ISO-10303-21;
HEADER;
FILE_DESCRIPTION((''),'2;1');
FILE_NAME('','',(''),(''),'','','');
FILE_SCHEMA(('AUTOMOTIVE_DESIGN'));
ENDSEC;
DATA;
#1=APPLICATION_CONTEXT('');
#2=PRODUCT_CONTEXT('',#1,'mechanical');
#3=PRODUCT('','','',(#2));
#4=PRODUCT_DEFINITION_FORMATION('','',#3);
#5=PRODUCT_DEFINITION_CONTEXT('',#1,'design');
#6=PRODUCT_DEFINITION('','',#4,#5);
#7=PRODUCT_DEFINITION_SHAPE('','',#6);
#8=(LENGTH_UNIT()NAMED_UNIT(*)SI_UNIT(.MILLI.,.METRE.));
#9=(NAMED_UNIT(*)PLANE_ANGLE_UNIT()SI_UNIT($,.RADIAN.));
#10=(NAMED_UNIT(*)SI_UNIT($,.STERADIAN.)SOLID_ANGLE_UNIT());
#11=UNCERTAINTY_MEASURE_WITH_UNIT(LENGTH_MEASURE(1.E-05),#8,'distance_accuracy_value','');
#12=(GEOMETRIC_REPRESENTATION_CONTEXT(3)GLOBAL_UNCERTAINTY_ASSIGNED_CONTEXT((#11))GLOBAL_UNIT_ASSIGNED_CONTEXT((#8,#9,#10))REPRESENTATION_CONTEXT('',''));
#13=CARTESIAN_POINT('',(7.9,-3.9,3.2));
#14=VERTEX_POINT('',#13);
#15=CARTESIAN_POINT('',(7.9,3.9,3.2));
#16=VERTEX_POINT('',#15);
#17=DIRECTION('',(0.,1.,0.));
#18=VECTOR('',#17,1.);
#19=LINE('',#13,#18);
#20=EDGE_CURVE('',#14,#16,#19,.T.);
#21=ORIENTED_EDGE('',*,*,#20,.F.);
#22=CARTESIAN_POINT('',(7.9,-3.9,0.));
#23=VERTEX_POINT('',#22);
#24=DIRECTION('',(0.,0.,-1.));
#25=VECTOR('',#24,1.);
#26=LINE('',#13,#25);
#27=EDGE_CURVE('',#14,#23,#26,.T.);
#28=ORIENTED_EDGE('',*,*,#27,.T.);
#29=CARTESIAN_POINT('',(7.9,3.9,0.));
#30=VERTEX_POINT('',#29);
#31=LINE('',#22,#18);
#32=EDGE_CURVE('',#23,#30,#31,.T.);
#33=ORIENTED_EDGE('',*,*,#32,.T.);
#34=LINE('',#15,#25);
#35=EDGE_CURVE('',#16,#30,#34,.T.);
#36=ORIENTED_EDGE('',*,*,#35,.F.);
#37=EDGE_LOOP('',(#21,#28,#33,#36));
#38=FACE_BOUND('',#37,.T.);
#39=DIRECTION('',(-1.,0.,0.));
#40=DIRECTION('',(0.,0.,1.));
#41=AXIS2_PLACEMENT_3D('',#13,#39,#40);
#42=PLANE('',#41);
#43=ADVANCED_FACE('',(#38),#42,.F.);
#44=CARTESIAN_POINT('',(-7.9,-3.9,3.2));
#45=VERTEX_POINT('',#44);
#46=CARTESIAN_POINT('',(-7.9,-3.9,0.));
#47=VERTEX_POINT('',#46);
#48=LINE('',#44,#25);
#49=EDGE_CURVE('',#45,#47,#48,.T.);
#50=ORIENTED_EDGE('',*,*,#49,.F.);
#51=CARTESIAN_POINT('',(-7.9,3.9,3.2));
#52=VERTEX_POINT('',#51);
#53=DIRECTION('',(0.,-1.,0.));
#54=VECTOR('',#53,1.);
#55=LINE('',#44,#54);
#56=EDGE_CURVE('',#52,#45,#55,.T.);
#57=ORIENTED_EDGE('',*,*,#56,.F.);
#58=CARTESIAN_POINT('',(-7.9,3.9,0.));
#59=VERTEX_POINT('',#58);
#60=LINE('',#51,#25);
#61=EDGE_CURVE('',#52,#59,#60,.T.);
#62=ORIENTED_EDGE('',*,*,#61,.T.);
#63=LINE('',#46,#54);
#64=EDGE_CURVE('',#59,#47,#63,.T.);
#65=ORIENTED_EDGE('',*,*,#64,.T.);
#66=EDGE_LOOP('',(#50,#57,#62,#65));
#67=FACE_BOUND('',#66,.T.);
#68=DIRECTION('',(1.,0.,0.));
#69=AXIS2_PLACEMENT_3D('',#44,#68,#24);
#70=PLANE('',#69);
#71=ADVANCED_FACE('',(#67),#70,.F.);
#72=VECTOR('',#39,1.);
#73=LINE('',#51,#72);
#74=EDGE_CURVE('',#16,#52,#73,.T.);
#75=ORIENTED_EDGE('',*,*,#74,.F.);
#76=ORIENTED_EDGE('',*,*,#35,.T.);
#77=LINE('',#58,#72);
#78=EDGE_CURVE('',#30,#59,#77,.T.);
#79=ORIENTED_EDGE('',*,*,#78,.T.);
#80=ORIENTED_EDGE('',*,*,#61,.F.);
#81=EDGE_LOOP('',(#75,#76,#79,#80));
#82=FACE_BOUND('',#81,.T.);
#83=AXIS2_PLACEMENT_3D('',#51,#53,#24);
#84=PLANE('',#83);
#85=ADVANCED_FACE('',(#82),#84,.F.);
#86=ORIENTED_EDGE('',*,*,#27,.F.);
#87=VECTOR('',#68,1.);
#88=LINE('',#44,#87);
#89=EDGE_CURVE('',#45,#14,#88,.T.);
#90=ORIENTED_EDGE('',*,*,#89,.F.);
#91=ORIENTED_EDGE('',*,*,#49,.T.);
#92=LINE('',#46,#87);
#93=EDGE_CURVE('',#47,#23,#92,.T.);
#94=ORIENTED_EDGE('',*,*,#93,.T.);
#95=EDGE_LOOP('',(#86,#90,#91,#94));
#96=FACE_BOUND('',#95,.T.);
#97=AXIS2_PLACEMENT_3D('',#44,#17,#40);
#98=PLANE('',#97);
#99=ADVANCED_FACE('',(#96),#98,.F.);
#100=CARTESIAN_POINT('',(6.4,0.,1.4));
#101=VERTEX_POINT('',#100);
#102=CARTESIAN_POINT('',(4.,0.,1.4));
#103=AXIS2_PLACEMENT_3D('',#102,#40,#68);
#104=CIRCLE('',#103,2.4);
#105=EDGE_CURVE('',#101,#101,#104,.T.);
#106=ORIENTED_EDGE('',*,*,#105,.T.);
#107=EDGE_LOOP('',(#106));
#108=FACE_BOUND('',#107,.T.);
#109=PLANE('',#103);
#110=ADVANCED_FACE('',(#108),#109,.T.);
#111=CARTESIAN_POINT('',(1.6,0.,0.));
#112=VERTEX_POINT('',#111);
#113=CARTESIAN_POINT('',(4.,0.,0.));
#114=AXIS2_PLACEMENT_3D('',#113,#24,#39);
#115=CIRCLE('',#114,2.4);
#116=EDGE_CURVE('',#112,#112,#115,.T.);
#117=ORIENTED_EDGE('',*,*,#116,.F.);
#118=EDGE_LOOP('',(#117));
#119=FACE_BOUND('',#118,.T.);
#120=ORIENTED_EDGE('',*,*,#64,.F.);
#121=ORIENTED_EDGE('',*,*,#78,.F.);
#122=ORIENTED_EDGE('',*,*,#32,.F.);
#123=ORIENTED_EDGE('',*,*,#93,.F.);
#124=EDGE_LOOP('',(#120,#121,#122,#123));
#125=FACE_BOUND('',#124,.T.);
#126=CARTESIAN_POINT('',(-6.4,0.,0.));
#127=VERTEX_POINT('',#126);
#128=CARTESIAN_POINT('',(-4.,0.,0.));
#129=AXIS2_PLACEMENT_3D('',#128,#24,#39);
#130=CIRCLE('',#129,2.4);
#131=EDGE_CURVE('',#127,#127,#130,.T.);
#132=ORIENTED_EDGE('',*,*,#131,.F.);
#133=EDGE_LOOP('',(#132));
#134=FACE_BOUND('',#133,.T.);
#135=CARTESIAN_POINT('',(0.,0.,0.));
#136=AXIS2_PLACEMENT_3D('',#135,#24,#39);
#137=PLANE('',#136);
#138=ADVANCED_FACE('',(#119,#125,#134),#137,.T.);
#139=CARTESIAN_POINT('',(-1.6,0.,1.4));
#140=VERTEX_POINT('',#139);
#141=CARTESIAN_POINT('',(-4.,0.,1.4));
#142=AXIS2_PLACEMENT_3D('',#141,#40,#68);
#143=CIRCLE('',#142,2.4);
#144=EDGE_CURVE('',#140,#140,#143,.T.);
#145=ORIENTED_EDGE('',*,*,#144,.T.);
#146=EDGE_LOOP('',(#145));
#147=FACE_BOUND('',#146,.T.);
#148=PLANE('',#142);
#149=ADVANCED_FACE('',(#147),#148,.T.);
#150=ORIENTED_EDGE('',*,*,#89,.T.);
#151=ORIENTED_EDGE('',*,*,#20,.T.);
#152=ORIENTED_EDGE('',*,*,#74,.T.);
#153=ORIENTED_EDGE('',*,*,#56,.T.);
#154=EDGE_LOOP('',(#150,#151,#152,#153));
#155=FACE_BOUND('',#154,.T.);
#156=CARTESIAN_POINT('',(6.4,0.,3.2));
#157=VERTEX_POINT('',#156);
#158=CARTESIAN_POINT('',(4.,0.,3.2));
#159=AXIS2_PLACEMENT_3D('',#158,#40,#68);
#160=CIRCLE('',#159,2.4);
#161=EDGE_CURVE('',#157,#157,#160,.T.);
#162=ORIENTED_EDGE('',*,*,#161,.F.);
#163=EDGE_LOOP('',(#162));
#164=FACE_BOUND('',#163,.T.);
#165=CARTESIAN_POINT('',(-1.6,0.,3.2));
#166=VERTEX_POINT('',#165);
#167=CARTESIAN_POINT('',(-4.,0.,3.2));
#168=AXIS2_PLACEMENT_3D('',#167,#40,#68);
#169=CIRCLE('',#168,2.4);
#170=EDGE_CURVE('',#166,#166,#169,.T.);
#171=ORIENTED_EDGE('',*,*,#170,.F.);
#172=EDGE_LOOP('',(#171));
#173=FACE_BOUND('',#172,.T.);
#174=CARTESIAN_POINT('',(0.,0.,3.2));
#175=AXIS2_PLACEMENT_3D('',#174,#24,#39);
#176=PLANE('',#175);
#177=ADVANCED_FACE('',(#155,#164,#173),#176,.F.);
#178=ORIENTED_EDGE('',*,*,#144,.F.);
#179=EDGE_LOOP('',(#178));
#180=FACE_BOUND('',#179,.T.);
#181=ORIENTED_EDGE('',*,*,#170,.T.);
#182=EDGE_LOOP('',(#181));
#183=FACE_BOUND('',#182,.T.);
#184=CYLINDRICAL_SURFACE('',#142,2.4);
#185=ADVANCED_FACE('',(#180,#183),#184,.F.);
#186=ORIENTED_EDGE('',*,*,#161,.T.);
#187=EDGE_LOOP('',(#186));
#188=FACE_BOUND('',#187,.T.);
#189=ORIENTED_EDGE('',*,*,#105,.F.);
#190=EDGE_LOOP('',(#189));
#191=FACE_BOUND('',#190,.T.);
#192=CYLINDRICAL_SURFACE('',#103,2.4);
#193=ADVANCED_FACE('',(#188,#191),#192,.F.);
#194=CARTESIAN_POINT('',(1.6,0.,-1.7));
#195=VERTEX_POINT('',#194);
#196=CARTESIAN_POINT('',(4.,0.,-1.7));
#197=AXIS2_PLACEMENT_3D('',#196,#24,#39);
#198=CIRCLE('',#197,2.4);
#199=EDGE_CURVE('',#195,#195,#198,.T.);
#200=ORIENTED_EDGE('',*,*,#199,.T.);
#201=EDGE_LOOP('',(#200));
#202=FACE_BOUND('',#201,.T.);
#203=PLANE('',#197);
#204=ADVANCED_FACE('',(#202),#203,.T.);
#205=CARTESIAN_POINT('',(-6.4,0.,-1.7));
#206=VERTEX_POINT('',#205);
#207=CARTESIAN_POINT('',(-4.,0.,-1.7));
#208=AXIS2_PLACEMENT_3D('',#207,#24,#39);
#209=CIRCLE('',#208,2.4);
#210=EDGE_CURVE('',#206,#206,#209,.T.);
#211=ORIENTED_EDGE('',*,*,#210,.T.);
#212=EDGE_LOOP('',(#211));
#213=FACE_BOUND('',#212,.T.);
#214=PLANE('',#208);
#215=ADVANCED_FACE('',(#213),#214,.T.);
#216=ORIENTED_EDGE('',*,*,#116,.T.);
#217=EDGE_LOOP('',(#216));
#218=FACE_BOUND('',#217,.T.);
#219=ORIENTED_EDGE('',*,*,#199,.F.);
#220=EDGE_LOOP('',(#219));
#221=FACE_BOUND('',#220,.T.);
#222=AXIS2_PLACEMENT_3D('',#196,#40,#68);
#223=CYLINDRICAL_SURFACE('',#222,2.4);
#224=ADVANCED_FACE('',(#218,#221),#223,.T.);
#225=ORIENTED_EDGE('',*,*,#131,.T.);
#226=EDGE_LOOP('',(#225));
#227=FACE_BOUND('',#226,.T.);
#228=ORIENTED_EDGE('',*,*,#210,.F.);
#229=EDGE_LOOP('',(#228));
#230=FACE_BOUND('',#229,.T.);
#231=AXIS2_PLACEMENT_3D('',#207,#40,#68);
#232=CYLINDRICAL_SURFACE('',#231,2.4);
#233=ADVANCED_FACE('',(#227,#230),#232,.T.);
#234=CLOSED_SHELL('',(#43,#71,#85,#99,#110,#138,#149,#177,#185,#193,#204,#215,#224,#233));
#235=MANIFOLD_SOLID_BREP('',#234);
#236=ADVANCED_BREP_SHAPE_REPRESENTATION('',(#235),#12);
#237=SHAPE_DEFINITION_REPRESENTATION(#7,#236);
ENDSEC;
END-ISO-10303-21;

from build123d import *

# Parameters (mm, degrees)
SKETCH_3_W          = 15.8
SKETCH_3_H          = 7.8
EXTRUDE_2_DEPTH     = 3.2
SKETCH_4_R          = 2.4
EXTRUDE_3_DEPTH     = 1.7
SKETCH_5_R          = 2.4
CUT_EXTRUDE_1_DEPTH = 1.8


with BuildPart() as part:
    # Эскиз3 → Бобышка-Вытянуть2 (new body)
    with BuildSketch(Plane.XY):
        Rectangle(SKETCH_3_W, SKETCH_3_H)
    extrude(amount=EXTRUDE_2_DEPTH)

    # Эскиз4 → Бобышка-Вытянуть3 (add)
    with BuildSketch(Plane(origin=(0, 0, 0), x_dir=(-1, 0, 0), z_dir=(0, 0, -1))):
        with Locations((-4, 0)):
            Circle(SKETCH_4_R)
        with Locations((4, 0)):
            Circle(SKETCH_4_R)
    extrude(amount=EXTRUDE_3_DEPTH)

    # Эскиз5 → Вырез-Вытянуть1 (cut)
    with BuildSketch(Plane.XY.offset(3.2)):
        with Locations(Location((-4, 0, 0), (0, 0, 180))):
            Circle(SKETCH_5_R)
        with Locations(Location((4, 0, 0), (0, 0, 180))):
            Circle(SKETCH_5_R)
    extrude(amount=-CUT_EXTRUDE_1_DEPTH, mode=Mode.SUBTRACT)


solid = part.part
